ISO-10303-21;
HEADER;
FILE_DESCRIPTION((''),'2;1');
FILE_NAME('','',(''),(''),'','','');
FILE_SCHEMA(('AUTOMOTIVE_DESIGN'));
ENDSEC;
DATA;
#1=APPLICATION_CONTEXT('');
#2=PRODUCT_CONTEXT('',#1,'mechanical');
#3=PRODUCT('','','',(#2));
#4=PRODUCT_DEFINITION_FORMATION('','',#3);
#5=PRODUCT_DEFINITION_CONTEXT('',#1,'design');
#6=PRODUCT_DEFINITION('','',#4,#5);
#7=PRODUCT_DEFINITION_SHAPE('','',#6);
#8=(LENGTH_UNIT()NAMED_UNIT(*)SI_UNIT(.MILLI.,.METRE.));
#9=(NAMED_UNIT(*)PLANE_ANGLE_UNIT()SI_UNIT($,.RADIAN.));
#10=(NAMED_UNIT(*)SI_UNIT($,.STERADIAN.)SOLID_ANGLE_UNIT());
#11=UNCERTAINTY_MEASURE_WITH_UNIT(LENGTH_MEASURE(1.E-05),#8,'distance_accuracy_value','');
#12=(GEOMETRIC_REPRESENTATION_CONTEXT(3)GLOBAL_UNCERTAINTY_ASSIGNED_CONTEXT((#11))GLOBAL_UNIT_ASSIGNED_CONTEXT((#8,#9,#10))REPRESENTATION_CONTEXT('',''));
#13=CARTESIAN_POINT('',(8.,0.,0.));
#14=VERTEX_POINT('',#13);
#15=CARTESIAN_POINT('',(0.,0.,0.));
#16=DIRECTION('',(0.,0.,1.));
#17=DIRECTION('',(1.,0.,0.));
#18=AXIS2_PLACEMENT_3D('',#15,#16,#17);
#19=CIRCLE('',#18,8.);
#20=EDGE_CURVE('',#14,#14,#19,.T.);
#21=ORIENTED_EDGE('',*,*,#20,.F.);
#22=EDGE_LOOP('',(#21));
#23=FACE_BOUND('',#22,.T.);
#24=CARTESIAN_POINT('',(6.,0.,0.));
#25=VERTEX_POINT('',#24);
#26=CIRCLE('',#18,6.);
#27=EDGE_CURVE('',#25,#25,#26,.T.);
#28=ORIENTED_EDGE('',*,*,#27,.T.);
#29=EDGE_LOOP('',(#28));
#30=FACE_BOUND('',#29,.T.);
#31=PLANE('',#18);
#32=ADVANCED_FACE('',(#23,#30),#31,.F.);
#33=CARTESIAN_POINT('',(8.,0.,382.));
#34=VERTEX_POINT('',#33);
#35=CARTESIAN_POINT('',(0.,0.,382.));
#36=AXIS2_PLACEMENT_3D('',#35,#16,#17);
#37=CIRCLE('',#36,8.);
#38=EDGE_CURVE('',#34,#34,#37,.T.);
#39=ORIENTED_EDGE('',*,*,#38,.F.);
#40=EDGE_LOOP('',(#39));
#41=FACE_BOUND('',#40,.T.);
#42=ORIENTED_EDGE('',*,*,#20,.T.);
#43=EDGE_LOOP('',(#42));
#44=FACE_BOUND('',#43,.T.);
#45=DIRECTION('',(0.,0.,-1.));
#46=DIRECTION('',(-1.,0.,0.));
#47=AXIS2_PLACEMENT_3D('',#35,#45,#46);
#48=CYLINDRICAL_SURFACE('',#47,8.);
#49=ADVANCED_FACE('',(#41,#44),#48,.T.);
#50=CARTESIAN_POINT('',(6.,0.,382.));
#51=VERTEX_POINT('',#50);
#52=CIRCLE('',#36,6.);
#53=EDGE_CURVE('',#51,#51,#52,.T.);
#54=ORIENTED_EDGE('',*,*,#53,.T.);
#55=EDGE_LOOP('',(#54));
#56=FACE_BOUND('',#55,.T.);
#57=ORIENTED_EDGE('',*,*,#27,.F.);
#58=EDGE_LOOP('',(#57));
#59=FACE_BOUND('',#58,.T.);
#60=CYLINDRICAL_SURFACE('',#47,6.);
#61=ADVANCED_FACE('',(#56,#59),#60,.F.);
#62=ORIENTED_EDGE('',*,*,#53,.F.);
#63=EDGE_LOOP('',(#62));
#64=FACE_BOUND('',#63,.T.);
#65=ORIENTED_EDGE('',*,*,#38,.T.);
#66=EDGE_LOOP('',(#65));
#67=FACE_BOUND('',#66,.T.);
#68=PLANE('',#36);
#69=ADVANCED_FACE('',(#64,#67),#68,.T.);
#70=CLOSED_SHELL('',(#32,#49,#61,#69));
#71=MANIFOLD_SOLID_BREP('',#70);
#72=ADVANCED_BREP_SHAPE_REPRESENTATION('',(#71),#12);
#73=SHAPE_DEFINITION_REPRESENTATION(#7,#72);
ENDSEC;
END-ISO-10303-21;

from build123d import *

# Parameters (mm, degrees)
SKETCH_1_R      = 8
SKETCH_1_R_2    = 6
EXTRUDE_1_DEPTH = 382


with BuildPart() as part:
    # 草图1 → 凸台-拉伸1 (new body)
    with BuildSketch(Plane.XY):
        Circle(SKETCH_1_R)
        Circle(SKETCH_1_R_2, mode=Mode.SUBTRACT)
    extrude(amount=EXTRUDE_1_DEPTH)


solid = part.part
